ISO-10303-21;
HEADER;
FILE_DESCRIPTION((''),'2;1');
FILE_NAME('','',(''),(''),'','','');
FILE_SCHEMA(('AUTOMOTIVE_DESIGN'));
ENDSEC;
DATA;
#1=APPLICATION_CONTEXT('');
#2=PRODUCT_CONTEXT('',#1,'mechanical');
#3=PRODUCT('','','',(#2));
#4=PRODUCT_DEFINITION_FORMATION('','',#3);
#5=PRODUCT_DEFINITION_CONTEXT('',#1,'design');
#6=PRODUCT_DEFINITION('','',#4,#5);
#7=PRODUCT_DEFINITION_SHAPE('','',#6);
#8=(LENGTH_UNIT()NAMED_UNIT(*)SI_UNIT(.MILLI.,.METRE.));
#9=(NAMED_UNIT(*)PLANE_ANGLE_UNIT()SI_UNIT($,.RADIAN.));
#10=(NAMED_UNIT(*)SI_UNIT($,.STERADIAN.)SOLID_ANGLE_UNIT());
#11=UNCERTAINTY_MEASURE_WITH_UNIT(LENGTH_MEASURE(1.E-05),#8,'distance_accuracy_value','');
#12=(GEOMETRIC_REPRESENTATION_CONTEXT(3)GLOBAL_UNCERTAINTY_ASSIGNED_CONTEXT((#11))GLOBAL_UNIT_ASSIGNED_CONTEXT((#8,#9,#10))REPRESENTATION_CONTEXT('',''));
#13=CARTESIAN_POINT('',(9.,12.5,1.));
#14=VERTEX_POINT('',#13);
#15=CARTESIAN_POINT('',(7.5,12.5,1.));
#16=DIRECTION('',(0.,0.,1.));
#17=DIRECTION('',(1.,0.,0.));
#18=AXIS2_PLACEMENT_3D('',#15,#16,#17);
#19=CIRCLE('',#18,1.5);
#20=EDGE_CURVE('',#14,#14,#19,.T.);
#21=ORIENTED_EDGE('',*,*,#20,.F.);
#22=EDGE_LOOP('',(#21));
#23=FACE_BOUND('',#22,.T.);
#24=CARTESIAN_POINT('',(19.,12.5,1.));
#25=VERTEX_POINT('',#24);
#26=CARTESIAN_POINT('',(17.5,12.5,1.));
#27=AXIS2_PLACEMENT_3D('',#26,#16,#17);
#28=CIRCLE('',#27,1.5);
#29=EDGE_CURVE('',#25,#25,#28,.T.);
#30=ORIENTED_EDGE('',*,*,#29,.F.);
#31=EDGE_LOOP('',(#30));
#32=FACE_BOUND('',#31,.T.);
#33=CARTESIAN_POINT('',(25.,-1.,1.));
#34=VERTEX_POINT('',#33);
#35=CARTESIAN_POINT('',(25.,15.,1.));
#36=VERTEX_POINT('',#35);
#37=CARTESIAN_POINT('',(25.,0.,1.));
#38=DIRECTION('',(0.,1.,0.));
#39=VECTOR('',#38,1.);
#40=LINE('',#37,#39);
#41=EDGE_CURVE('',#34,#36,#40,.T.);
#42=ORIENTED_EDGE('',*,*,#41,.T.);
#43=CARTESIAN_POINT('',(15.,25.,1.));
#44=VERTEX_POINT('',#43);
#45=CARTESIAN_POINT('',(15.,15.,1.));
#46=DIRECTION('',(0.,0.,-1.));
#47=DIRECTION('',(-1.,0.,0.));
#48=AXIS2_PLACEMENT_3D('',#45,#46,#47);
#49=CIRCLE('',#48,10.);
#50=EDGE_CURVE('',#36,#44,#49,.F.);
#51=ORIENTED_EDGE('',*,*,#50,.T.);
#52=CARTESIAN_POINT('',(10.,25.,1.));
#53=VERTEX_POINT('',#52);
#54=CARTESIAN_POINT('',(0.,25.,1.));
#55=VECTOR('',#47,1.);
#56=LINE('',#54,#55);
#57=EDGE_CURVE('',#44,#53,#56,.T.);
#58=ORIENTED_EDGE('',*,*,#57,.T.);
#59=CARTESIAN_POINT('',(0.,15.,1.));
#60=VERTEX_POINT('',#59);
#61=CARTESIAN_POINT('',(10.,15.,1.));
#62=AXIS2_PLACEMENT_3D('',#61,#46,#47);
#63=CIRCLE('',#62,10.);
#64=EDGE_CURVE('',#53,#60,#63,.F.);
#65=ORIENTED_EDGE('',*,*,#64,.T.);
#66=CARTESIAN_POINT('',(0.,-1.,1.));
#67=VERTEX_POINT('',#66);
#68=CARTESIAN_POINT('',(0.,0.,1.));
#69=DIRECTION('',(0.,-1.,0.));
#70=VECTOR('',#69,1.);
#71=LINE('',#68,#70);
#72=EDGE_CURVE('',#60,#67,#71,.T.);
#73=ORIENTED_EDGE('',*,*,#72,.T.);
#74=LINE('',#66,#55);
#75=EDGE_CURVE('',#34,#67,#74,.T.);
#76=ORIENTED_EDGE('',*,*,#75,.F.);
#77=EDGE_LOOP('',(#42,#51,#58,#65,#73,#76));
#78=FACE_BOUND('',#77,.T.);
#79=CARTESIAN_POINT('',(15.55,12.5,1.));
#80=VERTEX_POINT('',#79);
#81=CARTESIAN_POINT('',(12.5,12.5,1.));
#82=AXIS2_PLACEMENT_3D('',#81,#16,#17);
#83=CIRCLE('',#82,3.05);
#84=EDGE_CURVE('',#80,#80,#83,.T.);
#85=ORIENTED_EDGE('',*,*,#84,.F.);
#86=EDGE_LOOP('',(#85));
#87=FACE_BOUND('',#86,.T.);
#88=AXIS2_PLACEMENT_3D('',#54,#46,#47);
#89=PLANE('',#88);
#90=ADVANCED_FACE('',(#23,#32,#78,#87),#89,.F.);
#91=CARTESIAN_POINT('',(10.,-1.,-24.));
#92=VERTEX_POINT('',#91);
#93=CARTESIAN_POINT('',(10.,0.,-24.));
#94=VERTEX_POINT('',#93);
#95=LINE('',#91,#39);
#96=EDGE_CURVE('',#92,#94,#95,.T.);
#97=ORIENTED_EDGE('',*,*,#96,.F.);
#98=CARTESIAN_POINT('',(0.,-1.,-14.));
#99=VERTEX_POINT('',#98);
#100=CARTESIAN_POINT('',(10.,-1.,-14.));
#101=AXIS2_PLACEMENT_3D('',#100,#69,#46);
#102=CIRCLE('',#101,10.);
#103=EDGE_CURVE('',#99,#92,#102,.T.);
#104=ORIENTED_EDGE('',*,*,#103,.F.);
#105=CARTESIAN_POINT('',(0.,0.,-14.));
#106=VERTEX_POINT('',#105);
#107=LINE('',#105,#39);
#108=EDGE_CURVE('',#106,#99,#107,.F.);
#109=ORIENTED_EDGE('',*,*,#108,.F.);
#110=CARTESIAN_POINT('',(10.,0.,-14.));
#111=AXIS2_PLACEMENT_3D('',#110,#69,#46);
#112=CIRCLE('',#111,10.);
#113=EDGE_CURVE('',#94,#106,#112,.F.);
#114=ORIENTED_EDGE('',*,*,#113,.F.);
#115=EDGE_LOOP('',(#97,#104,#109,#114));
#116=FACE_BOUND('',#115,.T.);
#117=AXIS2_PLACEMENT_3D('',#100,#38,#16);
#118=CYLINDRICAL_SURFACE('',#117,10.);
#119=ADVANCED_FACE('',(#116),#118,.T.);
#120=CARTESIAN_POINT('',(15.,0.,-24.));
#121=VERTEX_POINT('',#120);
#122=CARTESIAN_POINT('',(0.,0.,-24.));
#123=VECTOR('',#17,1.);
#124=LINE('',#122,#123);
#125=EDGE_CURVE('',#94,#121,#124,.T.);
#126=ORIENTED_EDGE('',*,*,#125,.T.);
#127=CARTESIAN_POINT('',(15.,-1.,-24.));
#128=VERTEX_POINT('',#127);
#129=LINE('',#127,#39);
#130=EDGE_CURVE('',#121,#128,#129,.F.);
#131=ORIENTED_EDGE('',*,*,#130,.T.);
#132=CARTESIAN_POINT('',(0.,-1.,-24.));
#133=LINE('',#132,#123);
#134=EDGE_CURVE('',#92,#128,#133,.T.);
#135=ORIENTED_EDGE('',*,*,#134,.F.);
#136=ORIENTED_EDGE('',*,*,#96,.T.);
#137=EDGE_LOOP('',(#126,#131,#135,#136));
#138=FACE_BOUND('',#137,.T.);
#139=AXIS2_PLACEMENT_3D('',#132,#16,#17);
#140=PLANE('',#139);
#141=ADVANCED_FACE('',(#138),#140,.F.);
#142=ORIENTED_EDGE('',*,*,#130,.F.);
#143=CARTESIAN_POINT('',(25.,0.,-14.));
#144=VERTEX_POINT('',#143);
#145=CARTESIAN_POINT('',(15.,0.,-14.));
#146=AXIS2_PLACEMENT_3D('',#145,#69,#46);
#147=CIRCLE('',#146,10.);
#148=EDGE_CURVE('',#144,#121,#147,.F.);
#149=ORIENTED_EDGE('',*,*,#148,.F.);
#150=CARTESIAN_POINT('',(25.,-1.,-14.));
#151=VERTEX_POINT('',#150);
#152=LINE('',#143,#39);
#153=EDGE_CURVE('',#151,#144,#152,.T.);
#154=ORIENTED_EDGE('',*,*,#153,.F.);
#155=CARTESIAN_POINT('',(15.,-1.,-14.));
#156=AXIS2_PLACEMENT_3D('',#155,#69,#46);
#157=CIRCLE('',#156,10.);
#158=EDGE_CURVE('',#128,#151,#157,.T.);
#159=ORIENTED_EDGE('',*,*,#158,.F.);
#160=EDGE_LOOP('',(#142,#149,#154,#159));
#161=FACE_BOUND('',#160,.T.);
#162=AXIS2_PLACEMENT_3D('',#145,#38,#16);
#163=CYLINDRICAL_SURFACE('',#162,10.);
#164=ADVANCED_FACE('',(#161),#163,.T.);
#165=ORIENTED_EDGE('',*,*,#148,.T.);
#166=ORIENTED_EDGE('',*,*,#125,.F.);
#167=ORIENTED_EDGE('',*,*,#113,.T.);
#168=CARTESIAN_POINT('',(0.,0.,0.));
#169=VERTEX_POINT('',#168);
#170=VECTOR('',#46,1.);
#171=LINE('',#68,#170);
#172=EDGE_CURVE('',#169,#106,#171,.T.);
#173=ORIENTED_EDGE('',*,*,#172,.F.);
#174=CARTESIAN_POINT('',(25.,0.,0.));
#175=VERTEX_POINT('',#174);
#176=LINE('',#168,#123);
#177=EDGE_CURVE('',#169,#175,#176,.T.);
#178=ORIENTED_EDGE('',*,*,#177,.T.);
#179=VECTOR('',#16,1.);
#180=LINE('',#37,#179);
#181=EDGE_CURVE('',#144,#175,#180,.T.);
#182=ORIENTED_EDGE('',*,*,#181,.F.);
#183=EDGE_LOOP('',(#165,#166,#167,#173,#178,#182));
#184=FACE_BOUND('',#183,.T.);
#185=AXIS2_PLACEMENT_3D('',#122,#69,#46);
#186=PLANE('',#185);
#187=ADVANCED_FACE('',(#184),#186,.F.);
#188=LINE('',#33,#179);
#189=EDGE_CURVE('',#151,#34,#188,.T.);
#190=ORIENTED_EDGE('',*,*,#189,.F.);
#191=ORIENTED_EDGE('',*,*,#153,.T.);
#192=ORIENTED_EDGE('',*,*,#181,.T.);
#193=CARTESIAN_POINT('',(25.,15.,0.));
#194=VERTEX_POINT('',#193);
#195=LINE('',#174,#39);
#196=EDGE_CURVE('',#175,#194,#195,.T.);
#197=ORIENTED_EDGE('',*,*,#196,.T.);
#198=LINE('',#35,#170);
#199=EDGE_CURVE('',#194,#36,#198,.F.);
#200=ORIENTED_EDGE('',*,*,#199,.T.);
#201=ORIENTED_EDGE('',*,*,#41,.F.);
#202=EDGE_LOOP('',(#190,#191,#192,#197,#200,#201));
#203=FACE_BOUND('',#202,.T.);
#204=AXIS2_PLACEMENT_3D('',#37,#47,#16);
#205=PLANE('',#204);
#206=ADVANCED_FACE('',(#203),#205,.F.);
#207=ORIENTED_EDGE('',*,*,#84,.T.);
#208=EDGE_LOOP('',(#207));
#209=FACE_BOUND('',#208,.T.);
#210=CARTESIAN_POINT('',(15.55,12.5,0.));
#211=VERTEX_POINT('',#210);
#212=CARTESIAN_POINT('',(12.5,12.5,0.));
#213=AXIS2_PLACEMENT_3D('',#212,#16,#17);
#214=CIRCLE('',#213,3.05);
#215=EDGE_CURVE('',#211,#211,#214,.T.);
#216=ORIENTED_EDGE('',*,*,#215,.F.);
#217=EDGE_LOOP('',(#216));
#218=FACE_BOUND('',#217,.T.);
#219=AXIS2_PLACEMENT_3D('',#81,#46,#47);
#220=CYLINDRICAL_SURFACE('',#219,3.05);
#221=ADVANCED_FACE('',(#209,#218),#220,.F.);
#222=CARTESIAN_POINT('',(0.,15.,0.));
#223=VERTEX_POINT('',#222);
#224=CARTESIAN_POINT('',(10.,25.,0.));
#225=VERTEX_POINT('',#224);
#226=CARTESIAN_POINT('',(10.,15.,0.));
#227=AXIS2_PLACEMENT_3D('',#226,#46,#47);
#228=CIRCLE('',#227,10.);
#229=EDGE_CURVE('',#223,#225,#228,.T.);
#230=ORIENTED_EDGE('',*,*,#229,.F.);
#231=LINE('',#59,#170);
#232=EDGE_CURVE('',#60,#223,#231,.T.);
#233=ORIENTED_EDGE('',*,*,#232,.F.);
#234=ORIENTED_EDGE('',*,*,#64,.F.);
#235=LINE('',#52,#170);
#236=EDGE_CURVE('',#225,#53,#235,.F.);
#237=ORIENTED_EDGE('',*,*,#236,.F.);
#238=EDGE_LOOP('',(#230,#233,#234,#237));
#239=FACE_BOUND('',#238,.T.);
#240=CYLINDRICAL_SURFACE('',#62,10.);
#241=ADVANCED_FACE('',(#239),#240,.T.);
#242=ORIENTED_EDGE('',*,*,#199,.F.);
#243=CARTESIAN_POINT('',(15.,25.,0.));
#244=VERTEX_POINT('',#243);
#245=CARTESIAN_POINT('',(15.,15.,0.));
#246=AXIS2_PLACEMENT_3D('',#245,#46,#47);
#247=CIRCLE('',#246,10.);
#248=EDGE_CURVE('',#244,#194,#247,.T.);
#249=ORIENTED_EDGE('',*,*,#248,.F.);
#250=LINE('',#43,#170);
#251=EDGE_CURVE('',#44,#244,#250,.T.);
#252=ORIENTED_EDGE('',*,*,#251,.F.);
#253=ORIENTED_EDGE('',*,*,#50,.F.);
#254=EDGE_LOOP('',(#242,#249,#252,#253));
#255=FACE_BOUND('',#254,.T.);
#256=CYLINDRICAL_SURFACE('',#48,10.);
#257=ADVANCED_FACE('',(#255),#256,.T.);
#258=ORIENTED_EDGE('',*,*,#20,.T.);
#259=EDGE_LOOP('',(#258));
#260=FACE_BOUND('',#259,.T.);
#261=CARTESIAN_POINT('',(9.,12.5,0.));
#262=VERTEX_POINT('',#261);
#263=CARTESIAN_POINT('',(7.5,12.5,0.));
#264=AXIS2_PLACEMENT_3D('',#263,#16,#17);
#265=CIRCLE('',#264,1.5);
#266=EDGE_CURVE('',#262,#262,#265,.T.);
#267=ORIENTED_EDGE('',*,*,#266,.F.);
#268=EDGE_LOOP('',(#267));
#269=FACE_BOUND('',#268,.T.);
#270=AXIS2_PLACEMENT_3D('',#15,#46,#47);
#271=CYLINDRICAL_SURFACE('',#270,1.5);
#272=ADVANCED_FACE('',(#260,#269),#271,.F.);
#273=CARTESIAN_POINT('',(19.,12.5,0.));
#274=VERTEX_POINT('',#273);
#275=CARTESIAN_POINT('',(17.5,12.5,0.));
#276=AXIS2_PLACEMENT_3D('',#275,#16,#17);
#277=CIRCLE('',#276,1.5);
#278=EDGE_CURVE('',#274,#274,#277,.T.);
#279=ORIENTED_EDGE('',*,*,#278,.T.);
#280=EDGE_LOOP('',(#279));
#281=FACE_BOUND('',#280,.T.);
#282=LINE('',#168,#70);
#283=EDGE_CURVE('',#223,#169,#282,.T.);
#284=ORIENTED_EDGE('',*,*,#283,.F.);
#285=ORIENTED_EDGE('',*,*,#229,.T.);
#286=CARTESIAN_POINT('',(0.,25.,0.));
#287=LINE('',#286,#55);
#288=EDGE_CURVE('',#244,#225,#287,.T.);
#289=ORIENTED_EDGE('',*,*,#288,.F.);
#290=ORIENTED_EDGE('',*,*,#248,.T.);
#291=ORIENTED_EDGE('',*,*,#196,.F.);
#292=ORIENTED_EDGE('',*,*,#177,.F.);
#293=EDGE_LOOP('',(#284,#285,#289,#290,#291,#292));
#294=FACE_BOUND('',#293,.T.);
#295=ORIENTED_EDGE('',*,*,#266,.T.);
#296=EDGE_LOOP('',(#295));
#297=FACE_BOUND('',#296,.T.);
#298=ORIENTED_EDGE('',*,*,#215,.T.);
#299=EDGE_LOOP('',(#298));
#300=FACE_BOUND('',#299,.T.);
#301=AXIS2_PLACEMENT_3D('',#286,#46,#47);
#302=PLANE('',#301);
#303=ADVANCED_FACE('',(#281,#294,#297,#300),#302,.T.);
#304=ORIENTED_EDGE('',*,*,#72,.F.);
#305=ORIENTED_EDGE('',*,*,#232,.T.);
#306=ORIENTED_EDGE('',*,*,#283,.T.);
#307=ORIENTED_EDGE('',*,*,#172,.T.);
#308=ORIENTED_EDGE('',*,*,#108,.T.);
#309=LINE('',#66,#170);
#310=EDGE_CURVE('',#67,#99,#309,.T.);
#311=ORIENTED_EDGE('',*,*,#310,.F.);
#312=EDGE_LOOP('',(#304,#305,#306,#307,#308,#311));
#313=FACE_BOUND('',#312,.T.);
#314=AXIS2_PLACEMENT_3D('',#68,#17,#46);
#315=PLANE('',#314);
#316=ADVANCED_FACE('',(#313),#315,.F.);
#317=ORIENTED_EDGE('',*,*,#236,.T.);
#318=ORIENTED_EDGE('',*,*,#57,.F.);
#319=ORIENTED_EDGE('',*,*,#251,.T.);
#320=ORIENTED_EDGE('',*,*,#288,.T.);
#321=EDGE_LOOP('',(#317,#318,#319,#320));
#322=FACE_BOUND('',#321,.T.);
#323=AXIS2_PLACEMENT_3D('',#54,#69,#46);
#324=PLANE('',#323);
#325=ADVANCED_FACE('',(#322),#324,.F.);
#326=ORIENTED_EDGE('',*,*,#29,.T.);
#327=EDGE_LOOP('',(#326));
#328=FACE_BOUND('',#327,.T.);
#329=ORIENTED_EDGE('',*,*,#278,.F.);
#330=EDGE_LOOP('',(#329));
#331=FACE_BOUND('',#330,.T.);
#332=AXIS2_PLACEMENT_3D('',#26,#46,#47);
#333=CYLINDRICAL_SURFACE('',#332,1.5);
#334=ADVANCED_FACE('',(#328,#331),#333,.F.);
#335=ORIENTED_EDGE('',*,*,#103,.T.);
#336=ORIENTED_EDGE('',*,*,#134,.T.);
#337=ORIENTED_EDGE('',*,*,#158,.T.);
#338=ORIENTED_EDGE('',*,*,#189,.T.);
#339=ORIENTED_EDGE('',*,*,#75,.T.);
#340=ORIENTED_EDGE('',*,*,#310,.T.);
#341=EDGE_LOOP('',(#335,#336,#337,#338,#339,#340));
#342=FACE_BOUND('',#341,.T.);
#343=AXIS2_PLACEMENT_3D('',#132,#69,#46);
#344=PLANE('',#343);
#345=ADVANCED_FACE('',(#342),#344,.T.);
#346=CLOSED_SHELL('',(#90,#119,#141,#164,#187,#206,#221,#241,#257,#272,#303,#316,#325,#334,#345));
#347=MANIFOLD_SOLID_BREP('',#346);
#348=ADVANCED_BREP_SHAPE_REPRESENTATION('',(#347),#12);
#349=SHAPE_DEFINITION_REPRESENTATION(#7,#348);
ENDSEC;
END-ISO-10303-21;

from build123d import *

# Parameters (mm, degrees)
SKETCH1_W      = 25
SKETCH1_H      = 25
SKETCH1_R      = 3.05
SKETCH1_R_2    = 1.5
EXTRUDE1_DEPTH = 1
SKETCH2_W      = 25
SKETCH2_H      = 25
EXTRUDE2_DEPTH = 1
FILLET1_R      = 10


with BuildPart() as part:
    # Sketch1 → Extrude1 (new body)
    with BuildSketch(Plane.XY):
        with Locations((12.5, 12.5)):
            Rectangle(SKETCH1_W, SKETCH1_H)
        with Locations((12.5, 12.5)):
            Circle(SKETCH1_R, mode=Mode.SUBTRACT)
        with Locations((17.5, 12.5)):
            Circle(SKETCH1_R_2, mode=Mode.SUBTRACT)
        with Locations((7.5, 12.5)):
            Circle(SKETCH1_R_2, mode=Mode.SUBTRACT)
    extrude(amount=EXTRUDE1_DEPTH)

    # Sketch2 → Extrude2 (add)
    with BuildSketch(Plane.XZ):
        with Locations((12.5, -11.5)):
            Rectangle(SKETCH2_W, SKETCH2_H)
    extrude(amount=EXTRUDE2_DEPTH)

    # Fillet1
    fillet1_edges = [part.edges().sort_by_distance(p)[0] for p in [
        (0, -0.5, -24),
        (25, -0.5, -24),
        (0, 25, 0.5),
        (25, 25, 0.5),
    ]]
    fillet(fillet1_edges, radius=FILLET1_R)


solid = part.part
